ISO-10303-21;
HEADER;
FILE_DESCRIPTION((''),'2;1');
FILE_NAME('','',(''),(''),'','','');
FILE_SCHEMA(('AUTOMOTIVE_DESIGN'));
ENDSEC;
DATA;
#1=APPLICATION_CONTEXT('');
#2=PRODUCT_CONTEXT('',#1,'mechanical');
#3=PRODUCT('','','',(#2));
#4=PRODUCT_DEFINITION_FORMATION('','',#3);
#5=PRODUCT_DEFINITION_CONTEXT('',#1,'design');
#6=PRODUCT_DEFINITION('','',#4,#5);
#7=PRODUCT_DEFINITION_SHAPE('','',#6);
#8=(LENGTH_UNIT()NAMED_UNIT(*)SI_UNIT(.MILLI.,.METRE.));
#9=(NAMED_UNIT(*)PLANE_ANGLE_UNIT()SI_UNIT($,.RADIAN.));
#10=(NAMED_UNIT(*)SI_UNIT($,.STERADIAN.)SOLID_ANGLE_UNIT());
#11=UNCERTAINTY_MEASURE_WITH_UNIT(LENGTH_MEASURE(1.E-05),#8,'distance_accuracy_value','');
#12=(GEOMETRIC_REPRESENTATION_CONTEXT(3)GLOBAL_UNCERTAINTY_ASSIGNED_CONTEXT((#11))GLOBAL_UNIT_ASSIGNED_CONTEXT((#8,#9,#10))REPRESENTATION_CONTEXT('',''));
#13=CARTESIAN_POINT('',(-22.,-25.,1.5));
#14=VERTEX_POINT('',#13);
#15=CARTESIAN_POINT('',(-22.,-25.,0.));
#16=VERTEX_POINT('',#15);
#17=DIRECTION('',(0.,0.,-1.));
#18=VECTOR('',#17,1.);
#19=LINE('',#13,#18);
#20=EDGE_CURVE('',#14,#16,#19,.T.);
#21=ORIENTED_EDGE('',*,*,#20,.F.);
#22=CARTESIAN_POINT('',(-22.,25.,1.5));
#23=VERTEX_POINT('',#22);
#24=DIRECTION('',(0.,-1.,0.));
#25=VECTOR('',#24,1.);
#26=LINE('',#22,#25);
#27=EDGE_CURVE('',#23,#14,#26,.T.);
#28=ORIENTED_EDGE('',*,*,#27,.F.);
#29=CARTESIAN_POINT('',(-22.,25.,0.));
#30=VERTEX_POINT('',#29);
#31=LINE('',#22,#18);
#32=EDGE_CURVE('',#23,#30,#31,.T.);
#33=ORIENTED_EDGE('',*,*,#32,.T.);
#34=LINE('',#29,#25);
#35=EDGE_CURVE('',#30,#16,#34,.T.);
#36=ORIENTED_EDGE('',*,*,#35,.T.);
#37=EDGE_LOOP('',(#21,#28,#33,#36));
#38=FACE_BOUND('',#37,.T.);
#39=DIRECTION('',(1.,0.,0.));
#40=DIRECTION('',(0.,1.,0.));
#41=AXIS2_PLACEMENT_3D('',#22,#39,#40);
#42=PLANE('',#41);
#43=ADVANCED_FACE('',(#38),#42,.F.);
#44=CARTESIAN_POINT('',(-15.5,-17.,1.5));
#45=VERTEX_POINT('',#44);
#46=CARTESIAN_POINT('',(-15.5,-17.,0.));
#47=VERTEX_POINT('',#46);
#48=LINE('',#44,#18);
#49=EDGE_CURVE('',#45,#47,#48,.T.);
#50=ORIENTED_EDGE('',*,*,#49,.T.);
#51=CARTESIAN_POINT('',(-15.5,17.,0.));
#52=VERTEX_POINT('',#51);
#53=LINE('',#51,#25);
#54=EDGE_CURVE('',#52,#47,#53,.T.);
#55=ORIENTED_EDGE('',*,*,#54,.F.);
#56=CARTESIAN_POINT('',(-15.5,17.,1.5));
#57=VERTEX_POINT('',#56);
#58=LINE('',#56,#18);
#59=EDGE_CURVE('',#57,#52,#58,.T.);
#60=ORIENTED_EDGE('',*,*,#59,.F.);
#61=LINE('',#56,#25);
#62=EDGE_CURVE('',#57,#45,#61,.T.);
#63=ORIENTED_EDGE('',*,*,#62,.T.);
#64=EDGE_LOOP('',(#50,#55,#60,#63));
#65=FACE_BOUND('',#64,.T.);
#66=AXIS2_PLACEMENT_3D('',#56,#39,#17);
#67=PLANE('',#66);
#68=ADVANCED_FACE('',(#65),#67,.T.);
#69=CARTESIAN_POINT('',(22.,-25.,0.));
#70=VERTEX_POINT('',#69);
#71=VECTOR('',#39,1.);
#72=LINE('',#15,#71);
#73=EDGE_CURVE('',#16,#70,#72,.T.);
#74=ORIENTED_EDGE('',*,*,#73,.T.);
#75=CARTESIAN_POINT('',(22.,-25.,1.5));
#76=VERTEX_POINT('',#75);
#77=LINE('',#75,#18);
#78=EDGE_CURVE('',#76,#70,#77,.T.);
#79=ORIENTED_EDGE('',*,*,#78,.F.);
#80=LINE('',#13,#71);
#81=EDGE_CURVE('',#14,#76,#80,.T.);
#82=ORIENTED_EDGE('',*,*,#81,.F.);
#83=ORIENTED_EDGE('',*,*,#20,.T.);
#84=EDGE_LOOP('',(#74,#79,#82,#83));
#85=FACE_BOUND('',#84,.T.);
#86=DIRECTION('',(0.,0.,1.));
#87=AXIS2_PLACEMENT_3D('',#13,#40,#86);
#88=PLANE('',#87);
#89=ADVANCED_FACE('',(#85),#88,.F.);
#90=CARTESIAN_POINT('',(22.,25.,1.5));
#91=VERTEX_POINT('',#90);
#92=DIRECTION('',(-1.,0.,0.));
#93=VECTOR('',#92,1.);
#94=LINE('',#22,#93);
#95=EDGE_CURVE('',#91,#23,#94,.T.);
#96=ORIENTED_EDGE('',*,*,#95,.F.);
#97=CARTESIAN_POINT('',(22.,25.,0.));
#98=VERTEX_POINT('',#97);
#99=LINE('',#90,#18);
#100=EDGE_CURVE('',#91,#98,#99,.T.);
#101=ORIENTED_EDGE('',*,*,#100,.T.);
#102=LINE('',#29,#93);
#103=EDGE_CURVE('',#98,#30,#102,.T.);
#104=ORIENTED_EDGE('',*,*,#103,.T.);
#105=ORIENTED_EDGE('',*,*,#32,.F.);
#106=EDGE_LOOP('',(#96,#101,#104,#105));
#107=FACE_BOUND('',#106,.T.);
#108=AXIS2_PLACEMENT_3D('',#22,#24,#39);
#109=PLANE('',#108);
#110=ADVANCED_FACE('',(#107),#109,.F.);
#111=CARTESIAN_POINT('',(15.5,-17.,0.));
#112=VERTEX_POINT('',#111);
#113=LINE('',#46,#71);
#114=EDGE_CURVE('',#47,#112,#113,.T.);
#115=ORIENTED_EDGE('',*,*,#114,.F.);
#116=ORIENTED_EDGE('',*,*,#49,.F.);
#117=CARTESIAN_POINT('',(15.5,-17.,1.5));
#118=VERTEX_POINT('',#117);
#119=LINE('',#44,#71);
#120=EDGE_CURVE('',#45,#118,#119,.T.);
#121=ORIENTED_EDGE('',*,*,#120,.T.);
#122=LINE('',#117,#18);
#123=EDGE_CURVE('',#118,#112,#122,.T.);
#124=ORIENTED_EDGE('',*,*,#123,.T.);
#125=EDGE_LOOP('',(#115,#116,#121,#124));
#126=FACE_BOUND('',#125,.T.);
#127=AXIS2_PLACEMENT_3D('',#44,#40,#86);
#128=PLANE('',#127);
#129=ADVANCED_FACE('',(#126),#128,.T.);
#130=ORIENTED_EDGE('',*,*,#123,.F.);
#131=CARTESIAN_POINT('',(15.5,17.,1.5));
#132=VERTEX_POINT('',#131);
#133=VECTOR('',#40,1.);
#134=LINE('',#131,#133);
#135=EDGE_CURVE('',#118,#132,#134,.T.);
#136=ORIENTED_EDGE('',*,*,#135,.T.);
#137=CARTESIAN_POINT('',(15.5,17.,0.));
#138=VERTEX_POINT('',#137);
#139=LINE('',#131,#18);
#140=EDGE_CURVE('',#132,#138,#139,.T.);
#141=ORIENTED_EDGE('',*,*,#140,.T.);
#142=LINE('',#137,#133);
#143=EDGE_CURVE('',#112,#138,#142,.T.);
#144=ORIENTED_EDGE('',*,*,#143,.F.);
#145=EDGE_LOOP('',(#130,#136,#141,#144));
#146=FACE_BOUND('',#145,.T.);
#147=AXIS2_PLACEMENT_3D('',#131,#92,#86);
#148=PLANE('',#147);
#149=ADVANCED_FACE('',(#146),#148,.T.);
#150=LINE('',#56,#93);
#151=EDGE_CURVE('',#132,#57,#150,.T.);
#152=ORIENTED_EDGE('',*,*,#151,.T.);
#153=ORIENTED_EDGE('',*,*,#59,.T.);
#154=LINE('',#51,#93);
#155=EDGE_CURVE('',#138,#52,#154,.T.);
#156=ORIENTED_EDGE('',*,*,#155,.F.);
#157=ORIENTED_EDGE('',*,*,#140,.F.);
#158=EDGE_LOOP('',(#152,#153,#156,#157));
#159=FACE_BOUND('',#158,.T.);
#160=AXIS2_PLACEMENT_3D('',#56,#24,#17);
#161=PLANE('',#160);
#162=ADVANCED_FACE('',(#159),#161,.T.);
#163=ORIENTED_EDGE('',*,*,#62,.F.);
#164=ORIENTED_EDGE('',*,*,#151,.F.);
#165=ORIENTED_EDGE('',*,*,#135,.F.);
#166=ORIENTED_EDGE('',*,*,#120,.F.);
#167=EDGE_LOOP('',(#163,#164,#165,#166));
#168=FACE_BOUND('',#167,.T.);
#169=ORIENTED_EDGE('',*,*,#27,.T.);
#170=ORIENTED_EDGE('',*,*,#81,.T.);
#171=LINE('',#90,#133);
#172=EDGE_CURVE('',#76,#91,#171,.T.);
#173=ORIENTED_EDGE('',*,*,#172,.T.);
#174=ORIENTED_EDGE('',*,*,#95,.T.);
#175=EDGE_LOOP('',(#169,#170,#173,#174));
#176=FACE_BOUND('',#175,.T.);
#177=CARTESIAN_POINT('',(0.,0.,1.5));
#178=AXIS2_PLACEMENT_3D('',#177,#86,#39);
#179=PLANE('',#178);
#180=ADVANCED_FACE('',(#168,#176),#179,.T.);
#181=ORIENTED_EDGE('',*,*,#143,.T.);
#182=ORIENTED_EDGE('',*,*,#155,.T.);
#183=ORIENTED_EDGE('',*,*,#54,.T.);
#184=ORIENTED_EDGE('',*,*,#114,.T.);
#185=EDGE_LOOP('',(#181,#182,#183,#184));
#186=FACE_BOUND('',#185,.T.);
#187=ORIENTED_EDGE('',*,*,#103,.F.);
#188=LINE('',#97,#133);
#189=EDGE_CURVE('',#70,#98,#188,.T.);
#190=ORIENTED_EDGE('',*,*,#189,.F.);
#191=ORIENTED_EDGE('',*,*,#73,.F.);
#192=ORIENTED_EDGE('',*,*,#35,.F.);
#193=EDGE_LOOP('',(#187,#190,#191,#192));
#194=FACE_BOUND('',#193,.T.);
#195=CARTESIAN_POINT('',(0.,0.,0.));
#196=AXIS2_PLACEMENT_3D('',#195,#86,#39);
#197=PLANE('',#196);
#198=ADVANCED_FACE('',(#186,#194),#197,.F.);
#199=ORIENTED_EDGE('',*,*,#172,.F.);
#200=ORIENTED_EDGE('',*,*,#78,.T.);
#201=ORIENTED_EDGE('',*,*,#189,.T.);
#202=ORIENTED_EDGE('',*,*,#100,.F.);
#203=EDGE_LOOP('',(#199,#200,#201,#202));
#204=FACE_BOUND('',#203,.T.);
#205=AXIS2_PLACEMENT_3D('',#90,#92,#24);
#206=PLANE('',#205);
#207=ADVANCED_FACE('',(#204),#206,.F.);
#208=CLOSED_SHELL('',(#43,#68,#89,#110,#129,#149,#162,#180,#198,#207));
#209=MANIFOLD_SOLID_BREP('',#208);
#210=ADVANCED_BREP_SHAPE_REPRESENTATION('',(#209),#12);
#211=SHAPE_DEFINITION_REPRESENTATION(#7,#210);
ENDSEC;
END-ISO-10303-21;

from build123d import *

# Parameters (mm, degrees)
SKETCH1_W           = 44
SKETCH1_H           = 50
SKETCH1_W_2         = 31
SKETCH1_H_2         = 34
BOSS_EXTRUDE1_DEPTH = 1.5


with BuildPart() as part:
    # Sketch1 → Boss-Extrude1 (new body)
    with BuildSketch(Plane.XY):
        Rectangle(SKETCH1_W, SKETCH1_H)
        Rectangle(SKETCH1_W_2, SKETCH1_H_2, mode=Mode.SUBTRACT)
    extrude(amount=BOSS_EXTRUDE1_DEPTH)


solid = part.part
